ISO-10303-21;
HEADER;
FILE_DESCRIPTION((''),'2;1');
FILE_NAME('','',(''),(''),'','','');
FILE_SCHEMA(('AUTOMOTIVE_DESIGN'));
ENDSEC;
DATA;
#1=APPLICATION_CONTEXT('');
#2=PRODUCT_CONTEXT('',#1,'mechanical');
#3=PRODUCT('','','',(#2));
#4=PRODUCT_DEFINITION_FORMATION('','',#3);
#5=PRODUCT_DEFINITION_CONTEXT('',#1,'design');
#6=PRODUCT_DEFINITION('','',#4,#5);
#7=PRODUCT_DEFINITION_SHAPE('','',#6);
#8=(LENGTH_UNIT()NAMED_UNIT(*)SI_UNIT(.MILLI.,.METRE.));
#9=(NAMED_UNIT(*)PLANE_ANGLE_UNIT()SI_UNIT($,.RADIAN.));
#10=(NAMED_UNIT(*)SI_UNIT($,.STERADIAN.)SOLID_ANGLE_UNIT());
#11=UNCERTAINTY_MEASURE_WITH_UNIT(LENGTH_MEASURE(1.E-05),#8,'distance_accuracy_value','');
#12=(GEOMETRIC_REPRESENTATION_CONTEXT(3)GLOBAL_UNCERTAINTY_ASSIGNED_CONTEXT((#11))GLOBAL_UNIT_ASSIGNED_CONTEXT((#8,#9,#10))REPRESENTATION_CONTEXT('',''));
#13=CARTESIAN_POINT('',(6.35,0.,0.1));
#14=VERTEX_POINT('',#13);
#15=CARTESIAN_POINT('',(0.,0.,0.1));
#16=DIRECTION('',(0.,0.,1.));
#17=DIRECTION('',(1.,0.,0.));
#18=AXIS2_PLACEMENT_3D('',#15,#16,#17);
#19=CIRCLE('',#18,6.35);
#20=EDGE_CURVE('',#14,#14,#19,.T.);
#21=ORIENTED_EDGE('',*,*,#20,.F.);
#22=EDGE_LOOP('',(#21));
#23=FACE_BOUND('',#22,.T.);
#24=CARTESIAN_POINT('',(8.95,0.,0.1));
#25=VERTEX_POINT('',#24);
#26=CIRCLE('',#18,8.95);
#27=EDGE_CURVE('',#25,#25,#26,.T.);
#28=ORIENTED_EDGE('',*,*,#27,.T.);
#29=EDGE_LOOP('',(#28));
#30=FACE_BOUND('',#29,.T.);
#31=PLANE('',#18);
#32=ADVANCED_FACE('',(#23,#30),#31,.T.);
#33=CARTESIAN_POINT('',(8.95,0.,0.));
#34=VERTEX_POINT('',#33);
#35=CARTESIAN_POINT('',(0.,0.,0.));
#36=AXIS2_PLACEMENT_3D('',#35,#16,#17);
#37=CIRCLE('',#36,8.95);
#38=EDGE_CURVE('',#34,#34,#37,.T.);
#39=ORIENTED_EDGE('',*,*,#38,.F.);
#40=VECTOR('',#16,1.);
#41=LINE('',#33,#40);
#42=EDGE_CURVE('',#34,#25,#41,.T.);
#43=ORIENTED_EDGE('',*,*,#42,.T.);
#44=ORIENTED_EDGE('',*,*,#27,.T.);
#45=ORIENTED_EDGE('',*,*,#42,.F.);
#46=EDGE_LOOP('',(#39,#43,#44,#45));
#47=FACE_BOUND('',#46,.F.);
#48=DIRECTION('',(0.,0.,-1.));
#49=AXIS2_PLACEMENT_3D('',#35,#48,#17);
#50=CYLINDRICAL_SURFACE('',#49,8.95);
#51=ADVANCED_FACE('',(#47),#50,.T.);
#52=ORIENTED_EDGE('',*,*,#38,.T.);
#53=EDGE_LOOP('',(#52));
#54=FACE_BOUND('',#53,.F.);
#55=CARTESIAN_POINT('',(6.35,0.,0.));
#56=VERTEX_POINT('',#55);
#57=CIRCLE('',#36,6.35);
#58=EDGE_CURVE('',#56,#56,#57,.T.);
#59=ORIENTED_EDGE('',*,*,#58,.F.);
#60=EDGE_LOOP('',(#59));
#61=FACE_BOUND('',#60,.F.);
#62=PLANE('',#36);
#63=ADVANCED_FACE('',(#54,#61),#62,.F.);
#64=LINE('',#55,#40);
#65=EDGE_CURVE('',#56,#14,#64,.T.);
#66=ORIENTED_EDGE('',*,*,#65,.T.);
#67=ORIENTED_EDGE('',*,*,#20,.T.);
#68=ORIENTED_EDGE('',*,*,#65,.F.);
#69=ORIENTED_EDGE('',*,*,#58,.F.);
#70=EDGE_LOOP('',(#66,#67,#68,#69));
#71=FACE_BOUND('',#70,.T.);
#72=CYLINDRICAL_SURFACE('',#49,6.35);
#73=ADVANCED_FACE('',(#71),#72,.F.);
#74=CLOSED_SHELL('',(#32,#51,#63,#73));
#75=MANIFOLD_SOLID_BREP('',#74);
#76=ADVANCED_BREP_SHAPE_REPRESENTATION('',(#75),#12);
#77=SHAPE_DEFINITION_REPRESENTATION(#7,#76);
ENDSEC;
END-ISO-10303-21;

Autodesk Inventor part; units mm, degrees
ref_plane "YZ Plane" through (0, 0, 0) normal (1, 0, 0) x (0, 1, 0)
ref_plane "XZ Plane" through (0, 0, 0) normal (0, 1, 0) x (-1, 0, 0)
ref_plane "XY Plane" through (0, 0, 0) normal (0, 0, 1) x (1, 0, 0)
sketch "Esboço1" plane through (0, 0, 0) normal (0, 0, 1) x (1, 0, 0)
  circle A0 centre (0, 0) radius 8.95
  circle A1 centre (0, 0) radius 6.35
extrude "Extrusão1" add sketch "Esboço1" along normal blind 0.1
properties part number "Arruela da chave seletora"
